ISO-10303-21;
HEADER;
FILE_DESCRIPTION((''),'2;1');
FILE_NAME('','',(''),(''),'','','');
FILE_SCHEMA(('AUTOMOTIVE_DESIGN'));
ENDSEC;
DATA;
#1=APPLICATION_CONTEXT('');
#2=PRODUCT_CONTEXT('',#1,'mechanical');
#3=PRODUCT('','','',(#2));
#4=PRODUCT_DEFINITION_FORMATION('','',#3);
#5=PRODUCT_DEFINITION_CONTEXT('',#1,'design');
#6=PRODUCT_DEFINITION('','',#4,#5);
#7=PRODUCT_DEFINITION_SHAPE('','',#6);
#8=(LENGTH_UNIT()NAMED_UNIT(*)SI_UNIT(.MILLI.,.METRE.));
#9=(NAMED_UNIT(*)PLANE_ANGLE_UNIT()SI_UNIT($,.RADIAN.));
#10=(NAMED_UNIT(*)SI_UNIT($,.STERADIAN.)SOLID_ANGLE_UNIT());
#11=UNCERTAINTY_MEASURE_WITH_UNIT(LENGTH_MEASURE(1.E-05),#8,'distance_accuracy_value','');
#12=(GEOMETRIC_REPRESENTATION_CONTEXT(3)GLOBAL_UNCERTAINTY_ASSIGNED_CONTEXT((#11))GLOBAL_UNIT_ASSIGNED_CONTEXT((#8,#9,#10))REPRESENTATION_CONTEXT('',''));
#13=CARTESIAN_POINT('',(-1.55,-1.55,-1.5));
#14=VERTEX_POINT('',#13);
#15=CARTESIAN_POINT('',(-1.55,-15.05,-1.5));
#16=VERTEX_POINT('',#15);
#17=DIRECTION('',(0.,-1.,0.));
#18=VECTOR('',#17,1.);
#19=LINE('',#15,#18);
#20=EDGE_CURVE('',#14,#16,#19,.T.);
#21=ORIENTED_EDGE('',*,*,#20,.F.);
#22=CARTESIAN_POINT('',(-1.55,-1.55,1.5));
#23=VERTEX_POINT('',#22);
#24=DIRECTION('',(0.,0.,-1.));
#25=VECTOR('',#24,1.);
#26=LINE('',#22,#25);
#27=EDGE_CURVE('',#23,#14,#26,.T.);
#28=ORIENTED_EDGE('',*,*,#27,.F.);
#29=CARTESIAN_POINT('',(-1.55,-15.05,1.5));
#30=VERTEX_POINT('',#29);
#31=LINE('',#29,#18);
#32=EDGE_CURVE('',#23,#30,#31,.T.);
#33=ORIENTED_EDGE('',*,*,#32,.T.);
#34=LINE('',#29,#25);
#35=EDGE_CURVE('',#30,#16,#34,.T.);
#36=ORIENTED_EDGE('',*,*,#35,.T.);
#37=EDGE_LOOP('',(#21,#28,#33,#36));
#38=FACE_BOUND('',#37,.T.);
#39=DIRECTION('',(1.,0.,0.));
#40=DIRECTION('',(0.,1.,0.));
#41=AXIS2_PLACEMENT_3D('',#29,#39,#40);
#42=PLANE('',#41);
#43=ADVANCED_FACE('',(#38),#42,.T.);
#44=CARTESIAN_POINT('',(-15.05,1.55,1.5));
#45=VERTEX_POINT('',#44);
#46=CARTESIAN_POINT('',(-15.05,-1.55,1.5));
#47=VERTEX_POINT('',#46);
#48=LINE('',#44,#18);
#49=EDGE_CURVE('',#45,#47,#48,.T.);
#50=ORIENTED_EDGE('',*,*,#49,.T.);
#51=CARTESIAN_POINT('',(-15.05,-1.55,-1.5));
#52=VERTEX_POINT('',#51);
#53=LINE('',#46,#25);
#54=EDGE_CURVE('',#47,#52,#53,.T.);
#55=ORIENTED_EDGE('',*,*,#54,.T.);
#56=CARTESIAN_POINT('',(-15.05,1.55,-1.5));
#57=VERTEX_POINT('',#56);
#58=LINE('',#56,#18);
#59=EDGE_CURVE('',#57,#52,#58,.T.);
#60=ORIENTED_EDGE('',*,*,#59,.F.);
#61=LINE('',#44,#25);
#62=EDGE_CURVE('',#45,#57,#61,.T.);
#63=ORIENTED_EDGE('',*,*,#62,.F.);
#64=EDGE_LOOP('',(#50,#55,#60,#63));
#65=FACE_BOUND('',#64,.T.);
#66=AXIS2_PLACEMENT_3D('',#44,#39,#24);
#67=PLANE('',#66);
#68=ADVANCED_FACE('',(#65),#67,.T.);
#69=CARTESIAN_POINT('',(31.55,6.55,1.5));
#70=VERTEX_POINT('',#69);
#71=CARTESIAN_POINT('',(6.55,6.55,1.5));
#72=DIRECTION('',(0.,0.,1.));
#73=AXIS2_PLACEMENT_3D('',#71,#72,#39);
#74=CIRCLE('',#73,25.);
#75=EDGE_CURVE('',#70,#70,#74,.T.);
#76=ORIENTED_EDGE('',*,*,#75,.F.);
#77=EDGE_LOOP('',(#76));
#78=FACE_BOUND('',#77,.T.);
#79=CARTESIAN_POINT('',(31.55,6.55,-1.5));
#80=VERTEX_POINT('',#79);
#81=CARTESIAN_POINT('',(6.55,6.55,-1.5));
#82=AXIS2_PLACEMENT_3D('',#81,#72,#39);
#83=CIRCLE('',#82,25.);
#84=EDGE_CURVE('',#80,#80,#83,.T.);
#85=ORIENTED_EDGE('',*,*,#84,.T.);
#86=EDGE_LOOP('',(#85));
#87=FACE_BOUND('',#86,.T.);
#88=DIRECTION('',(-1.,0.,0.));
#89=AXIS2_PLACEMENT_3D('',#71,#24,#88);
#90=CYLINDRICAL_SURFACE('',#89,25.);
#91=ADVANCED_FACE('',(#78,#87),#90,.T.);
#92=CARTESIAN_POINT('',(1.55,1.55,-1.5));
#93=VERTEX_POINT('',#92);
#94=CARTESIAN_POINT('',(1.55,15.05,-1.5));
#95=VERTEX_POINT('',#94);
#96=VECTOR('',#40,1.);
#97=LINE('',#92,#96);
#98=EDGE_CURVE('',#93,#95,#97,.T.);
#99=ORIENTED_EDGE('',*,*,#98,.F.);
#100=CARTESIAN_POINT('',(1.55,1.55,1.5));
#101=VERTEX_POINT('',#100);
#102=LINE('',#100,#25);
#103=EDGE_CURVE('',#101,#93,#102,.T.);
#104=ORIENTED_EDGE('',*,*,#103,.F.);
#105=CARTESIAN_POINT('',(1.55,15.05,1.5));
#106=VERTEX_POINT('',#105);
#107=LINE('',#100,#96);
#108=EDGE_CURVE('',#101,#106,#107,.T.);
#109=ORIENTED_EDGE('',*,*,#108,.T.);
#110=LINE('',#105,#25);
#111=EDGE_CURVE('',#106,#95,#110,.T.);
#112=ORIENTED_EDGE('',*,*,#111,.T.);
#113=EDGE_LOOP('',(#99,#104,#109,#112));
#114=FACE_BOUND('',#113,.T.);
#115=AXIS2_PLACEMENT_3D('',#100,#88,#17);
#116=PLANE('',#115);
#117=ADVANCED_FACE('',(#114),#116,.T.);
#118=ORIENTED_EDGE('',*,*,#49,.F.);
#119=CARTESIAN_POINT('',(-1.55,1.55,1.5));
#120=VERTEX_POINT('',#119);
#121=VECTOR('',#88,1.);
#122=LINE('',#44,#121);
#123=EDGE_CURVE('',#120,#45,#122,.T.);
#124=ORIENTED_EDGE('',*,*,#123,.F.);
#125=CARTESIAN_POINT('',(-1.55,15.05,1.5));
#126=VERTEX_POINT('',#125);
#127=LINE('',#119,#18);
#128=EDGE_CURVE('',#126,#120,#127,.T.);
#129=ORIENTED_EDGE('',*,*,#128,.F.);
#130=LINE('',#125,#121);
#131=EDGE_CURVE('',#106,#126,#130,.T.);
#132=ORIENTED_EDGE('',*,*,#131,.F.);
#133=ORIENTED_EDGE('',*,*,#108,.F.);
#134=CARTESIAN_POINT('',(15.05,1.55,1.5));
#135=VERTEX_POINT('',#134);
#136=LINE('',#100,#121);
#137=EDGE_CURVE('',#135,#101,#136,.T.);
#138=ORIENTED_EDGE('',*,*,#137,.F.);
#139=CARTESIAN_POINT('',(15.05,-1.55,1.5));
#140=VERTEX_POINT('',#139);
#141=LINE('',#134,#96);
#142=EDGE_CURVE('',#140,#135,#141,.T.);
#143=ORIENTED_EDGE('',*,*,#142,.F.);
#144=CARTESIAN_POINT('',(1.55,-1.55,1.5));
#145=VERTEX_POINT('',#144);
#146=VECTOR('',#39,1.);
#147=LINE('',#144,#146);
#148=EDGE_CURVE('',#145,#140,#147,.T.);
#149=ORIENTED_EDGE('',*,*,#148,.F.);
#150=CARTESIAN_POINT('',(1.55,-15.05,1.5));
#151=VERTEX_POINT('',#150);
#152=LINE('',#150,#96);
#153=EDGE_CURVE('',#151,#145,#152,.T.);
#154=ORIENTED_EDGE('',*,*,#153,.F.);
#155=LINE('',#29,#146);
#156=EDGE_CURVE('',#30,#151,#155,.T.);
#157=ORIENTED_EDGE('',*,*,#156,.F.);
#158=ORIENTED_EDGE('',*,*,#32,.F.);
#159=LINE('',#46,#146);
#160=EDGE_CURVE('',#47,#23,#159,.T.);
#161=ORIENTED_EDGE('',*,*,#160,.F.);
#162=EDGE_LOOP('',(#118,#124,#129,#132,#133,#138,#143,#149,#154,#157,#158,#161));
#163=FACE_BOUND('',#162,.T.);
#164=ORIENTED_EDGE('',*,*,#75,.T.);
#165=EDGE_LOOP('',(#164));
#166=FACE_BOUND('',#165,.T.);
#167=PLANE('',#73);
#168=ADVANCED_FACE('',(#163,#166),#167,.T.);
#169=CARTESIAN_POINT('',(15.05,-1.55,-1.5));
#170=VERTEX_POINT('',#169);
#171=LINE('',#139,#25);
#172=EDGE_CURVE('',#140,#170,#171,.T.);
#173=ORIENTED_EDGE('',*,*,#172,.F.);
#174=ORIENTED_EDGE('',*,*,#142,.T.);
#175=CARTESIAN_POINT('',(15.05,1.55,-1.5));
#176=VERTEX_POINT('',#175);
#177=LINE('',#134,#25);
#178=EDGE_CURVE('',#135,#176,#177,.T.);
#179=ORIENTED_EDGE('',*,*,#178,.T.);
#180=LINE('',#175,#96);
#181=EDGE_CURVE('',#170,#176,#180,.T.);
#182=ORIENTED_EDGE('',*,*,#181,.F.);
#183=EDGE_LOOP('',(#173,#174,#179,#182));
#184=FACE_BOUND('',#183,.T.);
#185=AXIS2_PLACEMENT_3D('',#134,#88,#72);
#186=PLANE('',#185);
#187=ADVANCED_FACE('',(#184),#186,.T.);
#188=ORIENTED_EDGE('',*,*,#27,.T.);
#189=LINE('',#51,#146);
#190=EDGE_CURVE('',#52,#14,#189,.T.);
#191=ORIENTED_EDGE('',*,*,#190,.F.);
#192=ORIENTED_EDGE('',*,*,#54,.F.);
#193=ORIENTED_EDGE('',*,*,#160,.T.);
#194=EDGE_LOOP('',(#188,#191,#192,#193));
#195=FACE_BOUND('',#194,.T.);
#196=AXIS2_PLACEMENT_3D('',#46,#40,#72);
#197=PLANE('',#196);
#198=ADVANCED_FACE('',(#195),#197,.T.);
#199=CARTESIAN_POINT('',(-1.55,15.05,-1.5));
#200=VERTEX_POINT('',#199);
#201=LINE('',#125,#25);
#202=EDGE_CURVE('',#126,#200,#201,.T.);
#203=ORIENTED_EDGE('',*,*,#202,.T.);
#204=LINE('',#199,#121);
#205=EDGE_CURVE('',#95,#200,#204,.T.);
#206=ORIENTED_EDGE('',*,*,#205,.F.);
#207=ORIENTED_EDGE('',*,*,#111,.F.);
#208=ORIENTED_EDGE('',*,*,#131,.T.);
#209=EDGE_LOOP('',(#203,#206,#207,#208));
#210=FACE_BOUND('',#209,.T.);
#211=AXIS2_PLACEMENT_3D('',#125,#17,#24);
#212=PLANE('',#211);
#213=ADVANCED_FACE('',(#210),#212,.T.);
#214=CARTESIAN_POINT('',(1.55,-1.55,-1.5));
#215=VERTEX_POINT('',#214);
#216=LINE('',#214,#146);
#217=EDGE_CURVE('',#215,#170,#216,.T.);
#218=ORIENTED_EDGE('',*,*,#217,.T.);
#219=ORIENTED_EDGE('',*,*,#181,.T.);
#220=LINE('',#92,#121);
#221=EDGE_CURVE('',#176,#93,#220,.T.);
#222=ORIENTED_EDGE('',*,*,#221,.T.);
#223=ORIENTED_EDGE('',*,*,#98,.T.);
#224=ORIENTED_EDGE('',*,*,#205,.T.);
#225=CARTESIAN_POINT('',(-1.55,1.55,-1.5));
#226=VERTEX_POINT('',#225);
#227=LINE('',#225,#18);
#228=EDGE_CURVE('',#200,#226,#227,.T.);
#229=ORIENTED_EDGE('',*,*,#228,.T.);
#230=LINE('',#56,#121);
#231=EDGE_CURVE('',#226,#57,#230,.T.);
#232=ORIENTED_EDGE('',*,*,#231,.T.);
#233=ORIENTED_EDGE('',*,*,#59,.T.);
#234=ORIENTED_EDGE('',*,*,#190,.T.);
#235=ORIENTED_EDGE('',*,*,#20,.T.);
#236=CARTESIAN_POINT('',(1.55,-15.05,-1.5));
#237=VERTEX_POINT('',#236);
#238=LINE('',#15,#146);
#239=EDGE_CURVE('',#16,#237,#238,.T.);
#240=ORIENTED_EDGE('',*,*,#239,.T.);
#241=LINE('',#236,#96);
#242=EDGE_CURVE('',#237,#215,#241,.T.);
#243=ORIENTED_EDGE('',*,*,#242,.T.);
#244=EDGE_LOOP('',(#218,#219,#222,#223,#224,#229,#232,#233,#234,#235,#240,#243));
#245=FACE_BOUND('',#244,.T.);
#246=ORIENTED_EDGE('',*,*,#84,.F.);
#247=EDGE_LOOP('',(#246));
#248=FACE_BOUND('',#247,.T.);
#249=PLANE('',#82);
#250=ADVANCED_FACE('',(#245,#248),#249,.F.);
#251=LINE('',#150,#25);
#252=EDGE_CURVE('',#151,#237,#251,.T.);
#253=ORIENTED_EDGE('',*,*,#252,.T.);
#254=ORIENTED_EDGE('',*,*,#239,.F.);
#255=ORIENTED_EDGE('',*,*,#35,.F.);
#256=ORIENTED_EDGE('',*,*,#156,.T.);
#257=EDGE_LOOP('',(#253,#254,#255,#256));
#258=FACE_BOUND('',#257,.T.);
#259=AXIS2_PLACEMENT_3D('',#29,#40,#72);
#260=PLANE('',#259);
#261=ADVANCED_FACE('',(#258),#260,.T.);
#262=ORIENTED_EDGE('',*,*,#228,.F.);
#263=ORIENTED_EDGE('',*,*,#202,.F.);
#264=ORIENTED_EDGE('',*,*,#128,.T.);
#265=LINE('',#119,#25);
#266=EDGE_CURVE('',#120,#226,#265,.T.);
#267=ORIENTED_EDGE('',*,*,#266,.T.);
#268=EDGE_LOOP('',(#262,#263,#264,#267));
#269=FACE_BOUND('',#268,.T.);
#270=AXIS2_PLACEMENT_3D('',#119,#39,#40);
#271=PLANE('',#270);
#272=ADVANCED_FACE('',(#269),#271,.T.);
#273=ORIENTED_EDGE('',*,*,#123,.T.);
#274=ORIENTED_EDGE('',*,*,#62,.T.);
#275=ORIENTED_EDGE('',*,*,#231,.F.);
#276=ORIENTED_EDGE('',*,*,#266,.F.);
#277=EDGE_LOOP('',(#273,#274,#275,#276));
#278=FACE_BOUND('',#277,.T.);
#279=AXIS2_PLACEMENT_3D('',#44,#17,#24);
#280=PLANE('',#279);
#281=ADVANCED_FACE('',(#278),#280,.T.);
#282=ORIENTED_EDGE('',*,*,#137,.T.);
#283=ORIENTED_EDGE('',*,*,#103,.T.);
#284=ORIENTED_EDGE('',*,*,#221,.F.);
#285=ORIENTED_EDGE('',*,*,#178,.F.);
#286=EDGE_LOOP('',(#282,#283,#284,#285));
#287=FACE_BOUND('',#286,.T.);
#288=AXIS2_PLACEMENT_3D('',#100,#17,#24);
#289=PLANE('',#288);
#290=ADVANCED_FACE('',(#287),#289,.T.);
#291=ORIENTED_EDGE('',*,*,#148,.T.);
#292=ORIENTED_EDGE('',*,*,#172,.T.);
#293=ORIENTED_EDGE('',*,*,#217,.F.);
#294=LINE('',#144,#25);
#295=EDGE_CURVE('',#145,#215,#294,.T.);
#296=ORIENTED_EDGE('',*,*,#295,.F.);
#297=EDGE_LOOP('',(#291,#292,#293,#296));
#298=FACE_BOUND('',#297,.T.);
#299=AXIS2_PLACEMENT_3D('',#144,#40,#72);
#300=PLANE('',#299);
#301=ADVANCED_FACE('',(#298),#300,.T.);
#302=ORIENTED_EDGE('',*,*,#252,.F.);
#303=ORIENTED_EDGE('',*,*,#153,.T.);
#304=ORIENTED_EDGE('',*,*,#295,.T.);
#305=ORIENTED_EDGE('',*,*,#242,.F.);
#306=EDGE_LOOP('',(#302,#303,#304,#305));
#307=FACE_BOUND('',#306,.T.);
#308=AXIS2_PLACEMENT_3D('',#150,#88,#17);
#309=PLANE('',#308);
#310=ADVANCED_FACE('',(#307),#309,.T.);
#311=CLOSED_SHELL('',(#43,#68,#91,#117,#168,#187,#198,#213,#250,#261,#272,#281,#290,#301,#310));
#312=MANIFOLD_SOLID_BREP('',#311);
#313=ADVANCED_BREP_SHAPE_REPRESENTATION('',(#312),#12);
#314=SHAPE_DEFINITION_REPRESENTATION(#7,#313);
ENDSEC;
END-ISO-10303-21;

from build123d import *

# Parameters (mm, degrees)
SKETCH1_R           = 25
BOSS_EXTRUDE1_DEPTH = 1.5


with BuildPart() as part:
    # Sketch1 → Boss-Extrude1 (new body, symmetric)
    with BuildSketch(Plane.XY):
        with Locations((6.55, 6.55)):
            Circle(SKETCH1_R)
        Polygon((1.55, 1.55), (15.05, 1.55), (15.05, -1.55), (1.55, -1.55), (1.55, -15.05), (-1.55, -15.05), (-1.55, -1.55), (-15.05, -1.55), (-15.05, 1.55), (-1.55, 1.55), (-1.55, 15.05), (1.55, 15.05), align=None, mode=Mode.SUBTRACT)
    extrude(amount=BOSS_EXTRUDE1_DEPTH, both=True)


solid = part.part
